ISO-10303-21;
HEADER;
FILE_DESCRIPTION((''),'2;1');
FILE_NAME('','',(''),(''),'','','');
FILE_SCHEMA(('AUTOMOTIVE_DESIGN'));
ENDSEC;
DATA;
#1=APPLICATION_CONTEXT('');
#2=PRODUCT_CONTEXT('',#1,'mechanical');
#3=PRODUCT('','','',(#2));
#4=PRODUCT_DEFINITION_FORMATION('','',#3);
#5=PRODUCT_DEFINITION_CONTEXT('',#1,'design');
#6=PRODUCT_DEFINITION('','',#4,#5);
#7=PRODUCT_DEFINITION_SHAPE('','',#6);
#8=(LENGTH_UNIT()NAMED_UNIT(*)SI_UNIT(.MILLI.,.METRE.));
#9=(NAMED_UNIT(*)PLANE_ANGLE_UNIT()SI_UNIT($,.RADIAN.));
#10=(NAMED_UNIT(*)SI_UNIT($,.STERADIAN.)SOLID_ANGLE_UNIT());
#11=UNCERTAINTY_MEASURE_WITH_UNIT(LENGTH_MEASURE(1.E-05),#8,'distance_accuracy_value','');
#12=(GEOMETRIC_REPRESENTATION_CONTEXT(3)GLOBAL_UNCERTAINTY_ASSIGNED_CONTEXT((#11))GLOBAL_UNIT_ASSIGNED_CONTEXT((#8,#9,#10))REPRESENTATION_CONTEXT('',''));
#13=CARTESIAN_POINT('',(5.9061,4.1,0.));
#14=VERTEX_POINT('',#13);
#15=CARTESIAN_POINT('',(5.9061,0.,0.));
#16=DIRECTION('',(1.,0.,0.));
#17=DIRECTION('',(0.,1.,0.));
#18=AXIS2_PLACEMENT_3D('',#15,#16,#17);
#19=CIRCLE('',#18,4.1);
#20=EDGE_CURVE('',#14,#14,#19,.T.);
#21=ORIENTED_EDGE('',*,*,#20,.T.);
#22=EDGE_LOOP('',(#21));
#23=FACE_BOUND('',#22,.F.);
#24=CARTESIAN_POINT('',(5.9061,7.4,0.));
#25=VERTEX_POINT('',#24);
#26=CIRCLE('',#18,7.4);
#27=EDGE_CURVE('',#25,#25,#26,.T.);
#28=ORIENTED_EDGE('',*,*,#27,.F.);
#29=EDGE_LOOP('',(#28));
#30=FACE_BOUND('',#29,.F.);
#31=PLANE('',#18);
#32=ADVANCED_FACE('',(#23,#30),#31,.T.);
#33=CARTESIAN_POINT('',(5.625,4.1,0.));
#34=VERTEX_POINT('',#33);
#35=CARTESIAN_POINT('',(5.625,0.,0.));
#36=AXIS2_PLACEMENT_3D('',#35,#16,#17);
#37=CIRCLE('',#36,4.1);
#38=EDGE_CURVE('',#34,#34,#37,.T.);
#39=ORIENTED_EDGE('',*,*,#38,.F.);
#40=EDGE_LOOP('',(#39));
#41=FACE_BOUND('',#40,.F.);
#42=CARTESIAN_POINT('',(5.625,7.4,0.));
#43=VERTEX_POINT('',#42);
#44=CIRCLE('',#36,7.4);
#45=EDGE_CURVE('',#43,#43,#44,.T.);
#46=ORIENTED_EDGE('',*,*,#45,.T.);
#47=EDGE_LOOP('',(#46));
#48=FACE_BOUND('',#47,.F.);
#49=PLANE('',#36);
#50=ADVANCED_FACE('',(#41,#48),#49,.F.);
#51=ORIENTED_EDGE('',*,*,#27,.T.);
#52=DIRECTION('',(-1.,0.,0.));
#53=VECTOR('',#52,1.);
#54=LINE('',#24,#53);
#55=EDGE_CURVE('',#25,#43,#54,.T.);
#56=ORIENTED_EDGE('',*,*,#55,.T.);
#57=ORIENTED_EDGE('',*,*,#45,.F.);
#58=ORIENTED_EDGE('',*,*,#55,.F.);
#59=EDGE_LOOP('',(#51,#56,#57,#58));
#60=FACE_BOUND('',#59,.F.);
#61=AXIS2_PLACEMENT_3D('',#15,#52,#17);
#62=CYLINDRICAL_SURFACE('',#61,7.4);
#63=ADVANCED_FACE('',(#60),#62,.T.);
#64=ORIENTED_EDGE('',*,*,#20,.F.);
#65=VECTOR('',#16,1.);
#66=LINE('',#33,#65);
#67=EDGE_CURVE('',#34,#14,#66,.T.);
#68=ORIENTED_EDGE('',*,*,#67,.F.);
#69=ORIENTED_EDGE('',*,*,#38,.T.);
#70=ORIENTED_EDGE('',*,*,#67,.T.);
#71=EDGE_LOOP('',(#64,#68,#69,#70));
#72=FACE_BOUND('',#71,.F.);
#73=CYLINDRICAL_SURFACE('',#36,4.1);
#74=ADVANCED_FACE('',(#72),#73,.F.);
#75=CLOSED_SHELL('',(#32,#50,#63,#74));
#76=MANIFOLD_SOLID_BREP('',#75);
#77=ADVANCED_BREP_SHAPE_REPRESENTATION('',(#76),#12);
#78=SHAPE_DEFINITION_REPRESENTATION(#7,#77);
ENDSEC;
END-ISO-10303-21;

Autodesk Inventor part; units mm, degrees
sketch "Sketch_1" plane through (0, 0, 0) normal (0, 0, 1) x (1, 0, 0)
  line L0 (5.9061, 0) -> (5.625, 0)
  line L1 (5.625, 4.1) -> (5.9061, 4.1)
  line L2 (5.9061, 4.1) -> (5.9061, 7.4)
  line L3 (5.9061, 7.4) -> (5.625, 7.4)
  line L4 (5.625, 7.4) -> (5.625, 4.1)
revolve "Revolution1" add sketch "Sketch_1" angle 360 about axis through (5.9061, 0, 0) along (1, 0, 0)
ref_plane "ip_st_1_XY" through (5.625, 0, 0) normal (1, 0, 0) x (0, 0, -1)
ref_plane "ip_st_1_YZ" through (5.625, 0, 0) normal (0, 0, -1) x (0, 1, 0)
ref_plane "ip_st_1_ZX" through (5.625, 0, 0) normal (0, 1, 0) x (1, 0, 0)
properties part number "F606ZZ Shield2" material "鋼、炭素鋼"
